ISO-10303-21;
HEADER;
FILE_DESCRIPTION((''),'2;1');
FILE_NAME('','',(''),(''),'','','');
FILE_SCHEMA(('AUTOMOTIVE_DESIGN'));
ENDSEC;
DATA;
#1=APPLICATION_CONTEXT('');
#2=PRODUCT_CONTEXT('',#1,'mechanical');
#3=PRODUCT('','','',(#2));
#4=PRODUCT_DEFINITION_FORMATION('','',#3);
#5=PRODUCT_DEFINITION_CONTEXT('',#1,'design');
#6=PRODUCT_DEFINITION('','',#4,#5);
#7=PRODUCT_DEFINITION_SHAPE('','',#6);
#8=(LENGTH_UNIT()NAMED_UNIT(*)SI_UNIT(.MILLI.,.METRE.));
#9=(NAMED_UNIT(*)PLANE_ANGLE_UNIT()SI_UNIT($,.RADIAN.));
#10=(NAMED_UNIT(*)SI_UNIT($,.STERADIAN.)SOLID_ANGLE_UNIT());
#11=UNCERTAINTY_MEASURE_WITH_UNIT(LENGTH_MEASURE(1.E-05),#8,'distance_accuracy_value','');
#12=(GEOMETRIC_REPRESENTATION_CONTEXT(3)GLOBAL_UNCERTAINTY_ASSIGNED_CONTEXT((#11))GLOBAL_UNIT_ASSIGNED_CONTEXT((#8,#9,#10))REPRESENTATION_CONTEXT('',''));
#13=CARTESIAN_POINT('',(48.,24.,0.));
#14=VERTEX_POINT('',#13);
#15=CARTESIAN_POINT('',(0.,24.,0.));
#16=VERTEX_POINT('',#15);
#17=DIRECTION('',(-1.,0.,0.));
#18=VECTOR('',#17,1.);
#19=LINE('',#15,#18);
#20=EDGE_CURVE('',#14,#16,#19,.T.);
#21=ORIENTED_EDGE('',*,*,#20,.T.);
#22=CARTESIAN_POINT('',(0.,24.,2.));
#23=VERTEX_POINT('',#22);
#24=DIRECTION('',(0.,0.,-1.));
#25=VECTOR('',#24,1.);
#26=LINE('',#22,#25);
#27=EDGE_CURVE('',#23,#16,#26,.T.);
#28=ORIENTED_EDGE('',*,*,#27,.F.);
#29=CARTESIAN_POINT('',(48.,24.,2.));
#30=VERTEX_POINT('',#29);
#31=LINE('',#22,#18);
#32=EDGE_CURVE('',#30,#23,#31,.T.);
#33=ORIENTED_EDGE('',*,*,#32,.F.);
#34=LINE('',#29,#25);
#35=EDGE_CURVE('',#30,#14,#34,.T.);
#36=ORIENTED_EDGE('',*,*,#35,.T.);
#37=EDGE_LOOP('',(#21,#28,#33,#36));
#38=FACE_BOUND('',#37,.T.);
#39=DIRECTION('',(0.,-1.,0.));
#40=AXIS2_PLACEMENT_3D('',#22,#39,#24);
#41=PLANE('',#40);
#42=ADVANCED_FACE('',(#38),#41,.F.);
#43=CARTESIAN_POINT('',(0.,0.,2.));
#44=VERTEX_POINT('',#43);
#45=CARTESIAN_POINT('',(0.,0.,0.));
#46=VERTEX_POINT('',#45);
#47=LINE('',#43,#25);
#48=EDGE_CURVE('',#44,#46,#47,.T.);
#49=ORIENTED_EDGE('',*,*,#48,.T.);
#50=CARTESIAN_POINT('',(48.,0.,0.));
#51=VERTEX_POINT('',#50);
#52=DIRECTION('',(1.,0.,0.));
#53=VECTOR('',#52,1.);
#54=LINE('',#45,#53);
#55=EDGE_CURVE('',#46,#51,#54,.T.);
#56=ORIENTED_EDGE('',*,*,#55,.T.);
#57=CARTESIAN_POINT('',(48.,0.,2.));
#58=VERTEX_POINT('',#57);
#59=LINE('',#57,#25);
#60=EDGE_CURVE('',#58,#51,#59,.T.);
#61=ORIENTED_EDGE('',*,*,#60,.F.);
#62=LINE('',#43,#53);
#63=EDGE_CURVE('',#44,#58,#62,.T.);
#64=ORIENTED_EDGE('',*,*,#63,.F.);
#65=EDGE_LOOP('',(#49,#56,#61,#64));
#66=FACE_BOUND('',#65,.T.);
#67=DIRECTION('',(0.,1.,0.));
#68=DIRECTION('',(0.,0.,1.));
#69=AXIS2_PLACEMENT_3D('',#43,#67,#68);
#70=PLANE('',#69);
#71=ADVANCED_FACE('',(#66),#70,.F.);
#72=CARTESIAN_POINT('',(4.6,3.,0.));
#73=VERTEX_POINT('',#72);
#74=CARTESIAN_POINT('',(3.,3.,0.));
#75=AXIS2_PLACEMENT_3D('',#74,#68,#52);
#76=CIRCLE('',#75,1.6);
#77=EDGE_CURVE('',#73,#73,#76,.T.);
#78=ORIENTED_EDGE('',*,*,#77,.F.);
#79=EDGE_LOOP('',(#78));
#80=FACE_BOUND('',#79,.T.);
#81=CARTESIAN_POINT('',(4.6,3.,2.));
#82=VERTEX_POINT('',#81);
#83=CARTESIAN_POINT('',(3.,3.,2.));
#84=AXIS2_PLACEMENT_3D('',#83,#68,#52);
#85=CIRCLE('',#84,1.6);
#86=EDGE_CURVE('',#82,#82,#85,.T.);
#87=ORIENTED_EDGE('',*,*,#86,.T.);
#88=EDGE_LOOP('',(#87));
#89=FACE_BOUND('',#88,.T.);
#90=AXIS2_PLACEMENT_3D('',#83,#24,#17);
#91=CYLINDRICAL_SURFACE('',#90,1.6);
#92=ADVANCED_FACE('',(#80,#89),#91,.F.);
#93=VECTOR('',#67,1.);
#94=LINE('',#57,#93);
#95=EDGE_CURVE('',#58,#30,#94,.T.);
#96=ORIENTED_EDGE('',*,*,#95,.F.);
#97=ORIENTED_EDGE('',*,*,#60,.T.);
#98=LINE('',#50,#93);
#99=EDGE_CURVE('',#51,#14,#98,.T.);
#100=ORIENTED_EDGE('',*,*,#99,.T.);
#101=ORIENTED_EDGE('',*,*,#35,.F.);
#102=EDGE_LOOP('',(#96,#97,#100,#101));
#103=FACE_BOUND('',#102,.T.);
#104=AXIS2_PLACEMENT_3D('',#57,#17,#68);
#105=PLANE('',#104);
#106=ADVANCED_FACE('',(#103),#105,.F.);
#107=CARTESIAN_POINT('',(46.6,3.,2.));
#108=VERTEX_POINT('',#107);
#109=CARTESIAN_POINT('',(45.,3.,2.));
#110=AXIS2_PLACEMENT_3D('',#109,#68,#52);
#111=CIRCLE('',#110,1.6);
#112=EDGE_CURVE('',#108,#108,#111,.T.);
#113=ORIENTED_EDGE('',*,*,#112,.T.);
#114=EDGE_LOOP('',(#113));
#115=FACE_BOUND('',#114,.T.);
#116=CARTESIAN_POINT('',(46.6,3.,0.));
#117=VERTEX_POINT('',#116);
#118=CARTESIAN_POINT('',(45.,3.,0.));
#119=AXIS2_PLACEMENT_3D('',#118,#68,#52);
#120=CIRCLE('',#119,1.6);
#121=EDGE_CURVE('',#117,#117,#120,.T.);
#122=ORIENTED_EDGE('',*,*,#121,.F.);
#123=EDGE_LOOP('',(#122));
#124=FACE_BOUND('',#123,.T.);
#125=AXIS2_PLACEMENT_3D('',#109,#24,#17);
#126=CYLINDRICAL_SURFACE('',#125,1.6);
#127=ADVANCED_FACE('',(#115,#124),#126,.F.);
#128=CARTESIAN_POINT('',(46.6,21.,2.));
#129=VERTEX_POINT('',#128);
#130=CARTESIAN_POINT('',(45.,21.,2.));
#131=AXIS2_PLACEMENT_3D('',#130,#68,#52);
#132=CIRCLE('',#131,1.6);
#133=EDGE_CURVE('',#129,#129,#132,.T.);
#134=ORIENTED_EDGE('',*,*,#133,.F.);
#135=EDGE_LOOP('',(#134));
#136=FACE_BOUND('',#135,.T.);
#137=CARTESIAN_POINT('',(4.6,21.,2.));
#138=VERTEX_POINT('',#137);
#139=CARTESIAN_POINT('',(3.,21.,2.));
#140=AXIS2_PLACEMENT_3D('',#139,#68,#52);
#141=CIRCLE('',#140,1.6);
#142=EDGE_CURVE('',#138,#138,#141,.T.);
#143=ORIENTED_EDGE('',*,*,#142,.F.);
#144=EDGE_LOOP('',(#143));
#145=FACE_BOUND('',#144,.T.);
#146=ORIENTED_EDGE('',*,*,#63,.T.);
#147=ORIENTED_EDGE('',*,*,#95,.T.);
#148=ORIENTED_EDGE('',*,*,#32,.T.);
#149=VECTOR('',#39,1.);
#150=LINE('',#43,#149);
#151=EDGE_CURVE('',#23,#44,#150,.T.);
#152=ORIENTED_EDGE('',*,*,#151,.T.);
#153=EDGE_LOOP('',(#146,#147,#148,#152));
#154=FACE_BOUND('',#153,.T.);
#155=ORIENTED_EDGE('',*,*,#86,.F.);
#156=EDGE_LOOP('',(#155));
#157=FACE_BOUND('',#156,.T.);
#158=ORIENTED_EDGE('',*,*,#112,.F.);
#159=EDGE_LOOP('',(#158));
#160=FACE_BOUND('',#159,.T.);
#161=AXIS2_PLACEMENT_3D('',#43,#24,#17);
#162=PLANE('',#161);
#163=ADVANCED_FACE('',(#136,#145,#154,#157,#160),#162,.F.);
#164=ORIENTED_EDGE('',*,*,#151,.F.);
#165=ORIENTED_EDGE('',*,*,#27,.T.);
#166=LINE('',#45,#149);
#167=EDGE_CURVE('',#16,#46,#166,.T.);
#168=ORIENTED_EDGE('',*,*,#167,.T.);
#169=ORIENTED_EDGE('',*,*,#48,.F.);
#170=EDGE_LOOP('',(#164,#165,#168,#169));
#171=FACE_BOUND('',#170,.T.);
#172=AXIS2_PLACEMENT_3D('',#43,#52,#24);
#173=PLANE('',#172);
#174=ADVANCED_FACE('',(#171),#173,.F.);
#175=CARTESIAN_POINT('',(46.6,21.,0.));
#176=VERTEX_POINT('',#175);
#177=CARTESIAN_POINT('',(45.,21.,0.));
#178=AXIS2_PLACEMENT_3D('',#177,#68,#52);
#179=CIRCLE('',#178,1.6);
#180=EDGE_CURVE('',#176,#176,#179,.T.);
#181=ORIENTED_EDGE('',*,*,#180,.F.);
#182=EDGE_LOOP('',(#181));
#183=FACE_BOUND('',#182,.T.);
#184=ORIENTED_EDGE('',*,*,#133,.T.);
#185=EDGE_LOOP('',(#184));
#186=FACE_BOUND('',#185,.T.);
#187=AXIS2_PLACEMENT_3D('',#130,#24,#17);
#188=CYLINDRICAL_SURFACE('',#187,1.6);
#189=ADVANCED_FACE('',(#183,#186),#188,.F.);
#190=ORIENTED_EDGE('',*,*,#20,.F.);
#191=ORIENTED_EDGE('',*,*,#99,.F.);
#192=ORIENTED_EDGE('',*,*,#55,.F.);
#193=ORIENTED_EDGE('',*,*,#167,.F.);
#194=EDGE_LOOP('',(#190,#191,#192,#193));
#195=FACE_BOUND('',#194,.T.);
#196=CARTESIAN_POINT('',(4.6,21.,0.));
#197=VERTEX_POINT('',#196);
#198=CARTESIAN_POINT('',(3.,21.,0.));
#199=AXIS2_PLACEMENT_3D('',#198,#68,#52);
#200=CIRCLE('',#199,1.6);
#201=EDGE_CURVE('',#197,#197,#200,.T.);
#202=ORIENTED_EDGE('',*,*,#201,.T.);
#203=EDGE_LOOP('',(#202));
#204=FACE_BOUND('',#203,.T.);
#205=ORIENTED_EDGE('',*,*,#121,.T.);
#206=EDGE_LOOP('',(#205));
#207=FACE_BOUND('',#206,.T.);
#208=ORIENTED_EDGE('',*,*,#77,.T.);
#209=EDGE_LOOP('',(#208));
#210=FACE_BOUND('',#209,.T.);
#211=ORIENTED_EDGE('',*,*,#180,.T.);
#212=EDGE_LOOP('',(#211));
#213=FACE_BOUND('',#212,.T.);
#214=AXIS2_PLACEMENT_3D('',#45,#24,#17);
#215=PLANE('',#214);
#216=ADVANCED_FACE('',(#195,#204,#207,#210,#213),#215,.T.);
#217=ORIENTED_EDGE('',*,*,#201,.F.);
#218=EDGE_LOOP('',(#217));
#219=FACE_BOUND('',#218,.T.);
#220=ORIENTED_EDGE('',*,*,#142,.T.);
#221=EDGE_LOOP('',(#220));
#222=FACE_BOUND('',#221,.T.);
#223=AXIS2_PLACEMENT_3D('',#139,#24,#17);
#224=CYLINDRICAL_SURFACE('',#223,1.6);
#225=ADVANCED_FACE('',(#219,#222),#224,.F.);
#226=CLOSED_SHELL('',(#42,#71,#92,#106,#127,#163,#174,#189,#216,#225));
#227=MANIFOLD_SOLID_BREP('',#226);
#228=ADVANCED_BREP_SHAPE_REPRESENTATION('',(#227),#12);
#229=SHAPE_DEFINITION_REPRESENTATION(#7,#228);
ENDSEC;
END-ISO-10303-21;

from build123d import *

# Parameters (mm, degrees)
SKETCH_1_W      = 48
SKETCH_1_H      = 24
SKETCH_1_R      = 1.6
EXTRUDE_1_DEPTH = 2


with BuildPart() as part:
    # 草图1 → 凸台-拉伸1 (new body)
    with BuildSketch(Plane.XY):
        with Locations((24, 12)):
            Rectangle(SKETCH_1_W, SKETCH_1_H)
        with Locations((3, 3)):
            Circle(SKETCH_1_R, mode=Mode.SUBTRACT)
        with Locations((3, 21)):
            Circle(SKETCH_1_R, mode=Mode.SUBTRACT)
        with Locations((45, 21)):
            Circle(SKETCH_1_R, mode=Mode.SUBTRACT)
        with Locations((45, 3)):
            Circle(SKETCH_1_R, mode=Mode.SUBTRACT)
    extrude(amount=EXTRUDE_1_DEPTH)


solid = part.part
